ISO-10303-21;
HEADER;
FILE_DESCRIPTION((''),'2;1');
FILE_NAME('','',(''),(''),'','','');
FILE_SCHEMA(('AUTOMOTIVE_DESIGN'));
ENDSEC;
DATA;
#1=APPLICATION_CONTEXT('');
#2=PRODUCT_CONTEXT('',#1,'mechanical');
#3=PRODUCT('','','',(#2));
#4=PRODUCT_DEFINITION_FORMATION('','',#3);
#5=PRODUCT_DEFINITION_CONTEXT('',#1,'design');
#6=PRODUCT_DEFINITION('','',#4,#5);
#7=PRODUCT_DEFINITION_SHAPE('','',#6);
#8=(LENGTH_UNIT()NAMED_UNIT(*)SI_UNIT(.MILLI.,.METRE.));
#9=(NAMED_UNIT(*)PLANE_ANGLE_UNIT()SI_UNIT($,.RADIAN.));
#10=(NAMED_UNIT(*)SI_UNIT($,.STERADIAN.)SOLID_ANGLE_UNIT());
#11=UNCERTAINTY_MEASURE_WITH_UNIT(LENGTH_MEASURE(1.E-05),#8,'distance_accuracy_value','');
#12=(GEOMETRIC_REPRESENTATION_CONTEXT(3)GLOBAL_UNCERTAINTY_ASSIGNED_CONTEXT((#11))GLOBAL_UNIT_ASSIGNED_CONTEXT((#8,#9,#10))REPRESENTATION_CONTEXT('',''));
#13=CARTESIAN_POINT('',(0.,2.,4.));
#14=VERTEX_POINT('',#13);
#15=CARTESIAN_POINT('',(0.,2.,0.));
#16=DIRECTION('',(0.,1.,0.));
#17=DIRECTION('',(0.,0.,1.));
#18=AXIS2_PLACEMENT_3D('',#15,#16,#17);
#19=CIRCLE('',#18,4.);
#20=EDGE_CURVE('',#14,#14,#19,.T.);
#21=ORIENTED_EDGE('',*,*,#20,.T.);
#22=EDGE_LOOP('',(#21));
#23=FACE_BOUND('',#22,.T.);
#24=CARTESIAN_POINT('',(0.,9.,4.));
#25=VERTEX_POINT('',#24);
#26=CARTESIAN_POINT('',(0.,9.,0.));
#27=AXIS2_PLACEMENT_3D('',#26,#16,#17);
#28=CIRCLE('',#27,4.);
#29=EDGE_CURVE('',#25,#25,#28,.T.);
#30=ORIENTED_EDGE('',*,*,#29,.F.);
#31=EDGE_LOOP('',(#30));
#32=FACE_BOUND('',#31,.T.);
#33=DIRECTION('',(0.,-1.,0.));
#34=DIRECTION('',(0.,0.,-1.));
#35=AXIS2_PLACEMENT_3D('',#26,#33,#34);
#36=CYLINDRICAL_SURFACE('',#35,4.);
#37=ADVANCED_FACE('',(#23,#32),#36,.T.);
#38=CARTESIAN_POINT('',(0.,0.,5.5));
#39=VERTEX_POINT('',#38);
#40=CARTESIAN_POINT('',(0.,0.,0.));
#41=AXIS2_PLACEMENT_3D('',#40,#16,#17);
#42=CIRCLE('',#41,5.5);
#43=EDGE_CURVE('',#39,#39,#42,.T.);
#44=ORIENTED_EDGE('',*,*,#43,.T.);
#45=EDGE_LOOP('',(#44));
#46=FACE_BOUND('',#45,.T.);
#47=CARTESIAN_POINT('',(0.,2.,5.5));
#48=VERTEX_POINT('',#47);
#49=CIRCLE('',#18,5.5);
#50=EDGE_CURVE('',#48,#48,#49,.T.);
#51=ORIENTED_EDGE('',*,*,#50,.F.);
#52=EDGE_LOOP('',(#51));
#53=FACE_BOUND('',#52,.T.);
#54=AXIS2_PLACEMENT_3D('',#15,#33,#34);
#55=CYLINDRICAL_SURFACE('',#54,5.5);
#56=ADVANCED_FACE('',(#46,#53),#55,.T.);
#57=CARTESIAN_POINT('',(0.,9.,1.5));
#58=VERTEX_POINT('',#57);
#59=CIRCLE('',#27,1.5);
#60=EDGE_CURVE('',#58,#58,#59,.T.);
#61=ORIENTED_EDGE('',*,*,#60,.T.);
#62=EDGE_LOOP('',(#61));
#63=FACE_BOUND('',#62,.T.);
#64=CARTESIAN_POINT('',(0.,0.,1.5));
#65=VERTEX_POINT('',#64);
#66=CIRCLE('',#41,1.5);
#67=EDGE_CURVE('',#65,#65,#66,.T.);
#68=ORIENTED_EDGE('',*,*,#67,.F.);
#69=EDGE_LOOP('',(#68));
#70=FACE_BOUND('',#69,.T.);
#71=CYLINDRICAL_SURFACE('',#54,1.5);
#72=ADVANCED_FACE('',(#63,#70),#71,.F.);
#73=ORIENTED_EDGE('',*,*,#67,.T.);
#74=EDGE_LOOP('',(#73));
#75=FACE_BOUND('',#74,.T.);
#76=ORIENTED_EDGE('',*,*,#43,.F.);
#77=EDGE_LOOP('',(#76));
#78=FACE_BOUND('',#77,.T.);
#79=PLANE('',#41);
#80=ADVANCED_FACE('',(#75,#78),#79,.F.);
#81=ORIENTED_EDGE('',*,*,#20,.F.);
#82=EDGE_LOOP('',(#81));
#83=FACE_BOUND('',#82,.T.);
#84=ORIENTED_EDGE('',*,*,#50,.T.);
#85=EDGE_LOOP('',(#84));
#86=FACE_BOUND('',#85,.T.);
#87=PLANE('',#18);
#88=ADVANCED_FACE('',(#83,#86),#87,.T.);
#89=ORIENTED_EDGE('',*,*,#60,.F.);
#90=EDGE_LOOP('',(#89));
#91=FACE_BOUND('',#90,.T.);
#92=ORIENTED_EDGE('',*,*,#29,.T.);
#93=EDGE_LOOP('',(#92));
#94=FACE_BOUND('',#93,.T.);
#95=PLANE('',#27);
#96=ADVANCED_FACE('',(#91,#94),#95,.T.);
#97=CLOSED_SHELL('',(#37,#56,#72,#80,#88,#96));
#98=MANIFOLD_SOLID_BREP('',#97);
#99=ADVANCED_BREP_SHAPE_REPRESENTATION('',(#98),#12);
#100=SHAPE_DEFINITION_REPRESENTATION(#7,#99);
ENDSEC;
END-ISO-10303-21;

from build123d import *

# Parameters (mm, degrees)
SKETCH1_R           = 5.5
SKETCH1_R_2         = 1.5
BOSS_EXTRUDE1_DEPTH = 2
SKETCH2_R           = 4
SKETCH2_R_2         = 1.5
BOSS_EXTRUDE2_DEPTH = 7


with BuildPart() as part:
    # Sketch1 → Boss-Extrude1 (new body)
    with BuildSketch(Plane(origin=(0, 0, 0), x_dir=(1, 0, 0), z_dir=(0, 1, 0))):
        with Locations(Location((0, 0, 0), (0, 0, 270))):
            Circle(SKETCH1_R)
        with Locations(Location((0, 0, 0), (0, 0, 270))):
            Circle(SKETCH1_R_2, mode=Mode.SUBTRACT)
    extrude(amount=BOSS_EXTRUDE1_DEPTH)

    # Sketch2 → Boss-Extrude2 (add)
    with BuildSketch(Plane(origin=(0, 2, 0), x_dir=(1, 0, 0), z_dir=(0, 1, 0))):
        with Locations(Location((0, 0, 0), (0, 0, 270))):
            Circle(SKETCH2_R)
        with Locations(Location((0, 0, 0), (0, 0, 270))):
            Circle(SKETCH2_R_2, mode=Mode.SUBTRACT)
    extrude(amount=BOSS_EXTRUDE2_DEPTH)


solid = part.part
